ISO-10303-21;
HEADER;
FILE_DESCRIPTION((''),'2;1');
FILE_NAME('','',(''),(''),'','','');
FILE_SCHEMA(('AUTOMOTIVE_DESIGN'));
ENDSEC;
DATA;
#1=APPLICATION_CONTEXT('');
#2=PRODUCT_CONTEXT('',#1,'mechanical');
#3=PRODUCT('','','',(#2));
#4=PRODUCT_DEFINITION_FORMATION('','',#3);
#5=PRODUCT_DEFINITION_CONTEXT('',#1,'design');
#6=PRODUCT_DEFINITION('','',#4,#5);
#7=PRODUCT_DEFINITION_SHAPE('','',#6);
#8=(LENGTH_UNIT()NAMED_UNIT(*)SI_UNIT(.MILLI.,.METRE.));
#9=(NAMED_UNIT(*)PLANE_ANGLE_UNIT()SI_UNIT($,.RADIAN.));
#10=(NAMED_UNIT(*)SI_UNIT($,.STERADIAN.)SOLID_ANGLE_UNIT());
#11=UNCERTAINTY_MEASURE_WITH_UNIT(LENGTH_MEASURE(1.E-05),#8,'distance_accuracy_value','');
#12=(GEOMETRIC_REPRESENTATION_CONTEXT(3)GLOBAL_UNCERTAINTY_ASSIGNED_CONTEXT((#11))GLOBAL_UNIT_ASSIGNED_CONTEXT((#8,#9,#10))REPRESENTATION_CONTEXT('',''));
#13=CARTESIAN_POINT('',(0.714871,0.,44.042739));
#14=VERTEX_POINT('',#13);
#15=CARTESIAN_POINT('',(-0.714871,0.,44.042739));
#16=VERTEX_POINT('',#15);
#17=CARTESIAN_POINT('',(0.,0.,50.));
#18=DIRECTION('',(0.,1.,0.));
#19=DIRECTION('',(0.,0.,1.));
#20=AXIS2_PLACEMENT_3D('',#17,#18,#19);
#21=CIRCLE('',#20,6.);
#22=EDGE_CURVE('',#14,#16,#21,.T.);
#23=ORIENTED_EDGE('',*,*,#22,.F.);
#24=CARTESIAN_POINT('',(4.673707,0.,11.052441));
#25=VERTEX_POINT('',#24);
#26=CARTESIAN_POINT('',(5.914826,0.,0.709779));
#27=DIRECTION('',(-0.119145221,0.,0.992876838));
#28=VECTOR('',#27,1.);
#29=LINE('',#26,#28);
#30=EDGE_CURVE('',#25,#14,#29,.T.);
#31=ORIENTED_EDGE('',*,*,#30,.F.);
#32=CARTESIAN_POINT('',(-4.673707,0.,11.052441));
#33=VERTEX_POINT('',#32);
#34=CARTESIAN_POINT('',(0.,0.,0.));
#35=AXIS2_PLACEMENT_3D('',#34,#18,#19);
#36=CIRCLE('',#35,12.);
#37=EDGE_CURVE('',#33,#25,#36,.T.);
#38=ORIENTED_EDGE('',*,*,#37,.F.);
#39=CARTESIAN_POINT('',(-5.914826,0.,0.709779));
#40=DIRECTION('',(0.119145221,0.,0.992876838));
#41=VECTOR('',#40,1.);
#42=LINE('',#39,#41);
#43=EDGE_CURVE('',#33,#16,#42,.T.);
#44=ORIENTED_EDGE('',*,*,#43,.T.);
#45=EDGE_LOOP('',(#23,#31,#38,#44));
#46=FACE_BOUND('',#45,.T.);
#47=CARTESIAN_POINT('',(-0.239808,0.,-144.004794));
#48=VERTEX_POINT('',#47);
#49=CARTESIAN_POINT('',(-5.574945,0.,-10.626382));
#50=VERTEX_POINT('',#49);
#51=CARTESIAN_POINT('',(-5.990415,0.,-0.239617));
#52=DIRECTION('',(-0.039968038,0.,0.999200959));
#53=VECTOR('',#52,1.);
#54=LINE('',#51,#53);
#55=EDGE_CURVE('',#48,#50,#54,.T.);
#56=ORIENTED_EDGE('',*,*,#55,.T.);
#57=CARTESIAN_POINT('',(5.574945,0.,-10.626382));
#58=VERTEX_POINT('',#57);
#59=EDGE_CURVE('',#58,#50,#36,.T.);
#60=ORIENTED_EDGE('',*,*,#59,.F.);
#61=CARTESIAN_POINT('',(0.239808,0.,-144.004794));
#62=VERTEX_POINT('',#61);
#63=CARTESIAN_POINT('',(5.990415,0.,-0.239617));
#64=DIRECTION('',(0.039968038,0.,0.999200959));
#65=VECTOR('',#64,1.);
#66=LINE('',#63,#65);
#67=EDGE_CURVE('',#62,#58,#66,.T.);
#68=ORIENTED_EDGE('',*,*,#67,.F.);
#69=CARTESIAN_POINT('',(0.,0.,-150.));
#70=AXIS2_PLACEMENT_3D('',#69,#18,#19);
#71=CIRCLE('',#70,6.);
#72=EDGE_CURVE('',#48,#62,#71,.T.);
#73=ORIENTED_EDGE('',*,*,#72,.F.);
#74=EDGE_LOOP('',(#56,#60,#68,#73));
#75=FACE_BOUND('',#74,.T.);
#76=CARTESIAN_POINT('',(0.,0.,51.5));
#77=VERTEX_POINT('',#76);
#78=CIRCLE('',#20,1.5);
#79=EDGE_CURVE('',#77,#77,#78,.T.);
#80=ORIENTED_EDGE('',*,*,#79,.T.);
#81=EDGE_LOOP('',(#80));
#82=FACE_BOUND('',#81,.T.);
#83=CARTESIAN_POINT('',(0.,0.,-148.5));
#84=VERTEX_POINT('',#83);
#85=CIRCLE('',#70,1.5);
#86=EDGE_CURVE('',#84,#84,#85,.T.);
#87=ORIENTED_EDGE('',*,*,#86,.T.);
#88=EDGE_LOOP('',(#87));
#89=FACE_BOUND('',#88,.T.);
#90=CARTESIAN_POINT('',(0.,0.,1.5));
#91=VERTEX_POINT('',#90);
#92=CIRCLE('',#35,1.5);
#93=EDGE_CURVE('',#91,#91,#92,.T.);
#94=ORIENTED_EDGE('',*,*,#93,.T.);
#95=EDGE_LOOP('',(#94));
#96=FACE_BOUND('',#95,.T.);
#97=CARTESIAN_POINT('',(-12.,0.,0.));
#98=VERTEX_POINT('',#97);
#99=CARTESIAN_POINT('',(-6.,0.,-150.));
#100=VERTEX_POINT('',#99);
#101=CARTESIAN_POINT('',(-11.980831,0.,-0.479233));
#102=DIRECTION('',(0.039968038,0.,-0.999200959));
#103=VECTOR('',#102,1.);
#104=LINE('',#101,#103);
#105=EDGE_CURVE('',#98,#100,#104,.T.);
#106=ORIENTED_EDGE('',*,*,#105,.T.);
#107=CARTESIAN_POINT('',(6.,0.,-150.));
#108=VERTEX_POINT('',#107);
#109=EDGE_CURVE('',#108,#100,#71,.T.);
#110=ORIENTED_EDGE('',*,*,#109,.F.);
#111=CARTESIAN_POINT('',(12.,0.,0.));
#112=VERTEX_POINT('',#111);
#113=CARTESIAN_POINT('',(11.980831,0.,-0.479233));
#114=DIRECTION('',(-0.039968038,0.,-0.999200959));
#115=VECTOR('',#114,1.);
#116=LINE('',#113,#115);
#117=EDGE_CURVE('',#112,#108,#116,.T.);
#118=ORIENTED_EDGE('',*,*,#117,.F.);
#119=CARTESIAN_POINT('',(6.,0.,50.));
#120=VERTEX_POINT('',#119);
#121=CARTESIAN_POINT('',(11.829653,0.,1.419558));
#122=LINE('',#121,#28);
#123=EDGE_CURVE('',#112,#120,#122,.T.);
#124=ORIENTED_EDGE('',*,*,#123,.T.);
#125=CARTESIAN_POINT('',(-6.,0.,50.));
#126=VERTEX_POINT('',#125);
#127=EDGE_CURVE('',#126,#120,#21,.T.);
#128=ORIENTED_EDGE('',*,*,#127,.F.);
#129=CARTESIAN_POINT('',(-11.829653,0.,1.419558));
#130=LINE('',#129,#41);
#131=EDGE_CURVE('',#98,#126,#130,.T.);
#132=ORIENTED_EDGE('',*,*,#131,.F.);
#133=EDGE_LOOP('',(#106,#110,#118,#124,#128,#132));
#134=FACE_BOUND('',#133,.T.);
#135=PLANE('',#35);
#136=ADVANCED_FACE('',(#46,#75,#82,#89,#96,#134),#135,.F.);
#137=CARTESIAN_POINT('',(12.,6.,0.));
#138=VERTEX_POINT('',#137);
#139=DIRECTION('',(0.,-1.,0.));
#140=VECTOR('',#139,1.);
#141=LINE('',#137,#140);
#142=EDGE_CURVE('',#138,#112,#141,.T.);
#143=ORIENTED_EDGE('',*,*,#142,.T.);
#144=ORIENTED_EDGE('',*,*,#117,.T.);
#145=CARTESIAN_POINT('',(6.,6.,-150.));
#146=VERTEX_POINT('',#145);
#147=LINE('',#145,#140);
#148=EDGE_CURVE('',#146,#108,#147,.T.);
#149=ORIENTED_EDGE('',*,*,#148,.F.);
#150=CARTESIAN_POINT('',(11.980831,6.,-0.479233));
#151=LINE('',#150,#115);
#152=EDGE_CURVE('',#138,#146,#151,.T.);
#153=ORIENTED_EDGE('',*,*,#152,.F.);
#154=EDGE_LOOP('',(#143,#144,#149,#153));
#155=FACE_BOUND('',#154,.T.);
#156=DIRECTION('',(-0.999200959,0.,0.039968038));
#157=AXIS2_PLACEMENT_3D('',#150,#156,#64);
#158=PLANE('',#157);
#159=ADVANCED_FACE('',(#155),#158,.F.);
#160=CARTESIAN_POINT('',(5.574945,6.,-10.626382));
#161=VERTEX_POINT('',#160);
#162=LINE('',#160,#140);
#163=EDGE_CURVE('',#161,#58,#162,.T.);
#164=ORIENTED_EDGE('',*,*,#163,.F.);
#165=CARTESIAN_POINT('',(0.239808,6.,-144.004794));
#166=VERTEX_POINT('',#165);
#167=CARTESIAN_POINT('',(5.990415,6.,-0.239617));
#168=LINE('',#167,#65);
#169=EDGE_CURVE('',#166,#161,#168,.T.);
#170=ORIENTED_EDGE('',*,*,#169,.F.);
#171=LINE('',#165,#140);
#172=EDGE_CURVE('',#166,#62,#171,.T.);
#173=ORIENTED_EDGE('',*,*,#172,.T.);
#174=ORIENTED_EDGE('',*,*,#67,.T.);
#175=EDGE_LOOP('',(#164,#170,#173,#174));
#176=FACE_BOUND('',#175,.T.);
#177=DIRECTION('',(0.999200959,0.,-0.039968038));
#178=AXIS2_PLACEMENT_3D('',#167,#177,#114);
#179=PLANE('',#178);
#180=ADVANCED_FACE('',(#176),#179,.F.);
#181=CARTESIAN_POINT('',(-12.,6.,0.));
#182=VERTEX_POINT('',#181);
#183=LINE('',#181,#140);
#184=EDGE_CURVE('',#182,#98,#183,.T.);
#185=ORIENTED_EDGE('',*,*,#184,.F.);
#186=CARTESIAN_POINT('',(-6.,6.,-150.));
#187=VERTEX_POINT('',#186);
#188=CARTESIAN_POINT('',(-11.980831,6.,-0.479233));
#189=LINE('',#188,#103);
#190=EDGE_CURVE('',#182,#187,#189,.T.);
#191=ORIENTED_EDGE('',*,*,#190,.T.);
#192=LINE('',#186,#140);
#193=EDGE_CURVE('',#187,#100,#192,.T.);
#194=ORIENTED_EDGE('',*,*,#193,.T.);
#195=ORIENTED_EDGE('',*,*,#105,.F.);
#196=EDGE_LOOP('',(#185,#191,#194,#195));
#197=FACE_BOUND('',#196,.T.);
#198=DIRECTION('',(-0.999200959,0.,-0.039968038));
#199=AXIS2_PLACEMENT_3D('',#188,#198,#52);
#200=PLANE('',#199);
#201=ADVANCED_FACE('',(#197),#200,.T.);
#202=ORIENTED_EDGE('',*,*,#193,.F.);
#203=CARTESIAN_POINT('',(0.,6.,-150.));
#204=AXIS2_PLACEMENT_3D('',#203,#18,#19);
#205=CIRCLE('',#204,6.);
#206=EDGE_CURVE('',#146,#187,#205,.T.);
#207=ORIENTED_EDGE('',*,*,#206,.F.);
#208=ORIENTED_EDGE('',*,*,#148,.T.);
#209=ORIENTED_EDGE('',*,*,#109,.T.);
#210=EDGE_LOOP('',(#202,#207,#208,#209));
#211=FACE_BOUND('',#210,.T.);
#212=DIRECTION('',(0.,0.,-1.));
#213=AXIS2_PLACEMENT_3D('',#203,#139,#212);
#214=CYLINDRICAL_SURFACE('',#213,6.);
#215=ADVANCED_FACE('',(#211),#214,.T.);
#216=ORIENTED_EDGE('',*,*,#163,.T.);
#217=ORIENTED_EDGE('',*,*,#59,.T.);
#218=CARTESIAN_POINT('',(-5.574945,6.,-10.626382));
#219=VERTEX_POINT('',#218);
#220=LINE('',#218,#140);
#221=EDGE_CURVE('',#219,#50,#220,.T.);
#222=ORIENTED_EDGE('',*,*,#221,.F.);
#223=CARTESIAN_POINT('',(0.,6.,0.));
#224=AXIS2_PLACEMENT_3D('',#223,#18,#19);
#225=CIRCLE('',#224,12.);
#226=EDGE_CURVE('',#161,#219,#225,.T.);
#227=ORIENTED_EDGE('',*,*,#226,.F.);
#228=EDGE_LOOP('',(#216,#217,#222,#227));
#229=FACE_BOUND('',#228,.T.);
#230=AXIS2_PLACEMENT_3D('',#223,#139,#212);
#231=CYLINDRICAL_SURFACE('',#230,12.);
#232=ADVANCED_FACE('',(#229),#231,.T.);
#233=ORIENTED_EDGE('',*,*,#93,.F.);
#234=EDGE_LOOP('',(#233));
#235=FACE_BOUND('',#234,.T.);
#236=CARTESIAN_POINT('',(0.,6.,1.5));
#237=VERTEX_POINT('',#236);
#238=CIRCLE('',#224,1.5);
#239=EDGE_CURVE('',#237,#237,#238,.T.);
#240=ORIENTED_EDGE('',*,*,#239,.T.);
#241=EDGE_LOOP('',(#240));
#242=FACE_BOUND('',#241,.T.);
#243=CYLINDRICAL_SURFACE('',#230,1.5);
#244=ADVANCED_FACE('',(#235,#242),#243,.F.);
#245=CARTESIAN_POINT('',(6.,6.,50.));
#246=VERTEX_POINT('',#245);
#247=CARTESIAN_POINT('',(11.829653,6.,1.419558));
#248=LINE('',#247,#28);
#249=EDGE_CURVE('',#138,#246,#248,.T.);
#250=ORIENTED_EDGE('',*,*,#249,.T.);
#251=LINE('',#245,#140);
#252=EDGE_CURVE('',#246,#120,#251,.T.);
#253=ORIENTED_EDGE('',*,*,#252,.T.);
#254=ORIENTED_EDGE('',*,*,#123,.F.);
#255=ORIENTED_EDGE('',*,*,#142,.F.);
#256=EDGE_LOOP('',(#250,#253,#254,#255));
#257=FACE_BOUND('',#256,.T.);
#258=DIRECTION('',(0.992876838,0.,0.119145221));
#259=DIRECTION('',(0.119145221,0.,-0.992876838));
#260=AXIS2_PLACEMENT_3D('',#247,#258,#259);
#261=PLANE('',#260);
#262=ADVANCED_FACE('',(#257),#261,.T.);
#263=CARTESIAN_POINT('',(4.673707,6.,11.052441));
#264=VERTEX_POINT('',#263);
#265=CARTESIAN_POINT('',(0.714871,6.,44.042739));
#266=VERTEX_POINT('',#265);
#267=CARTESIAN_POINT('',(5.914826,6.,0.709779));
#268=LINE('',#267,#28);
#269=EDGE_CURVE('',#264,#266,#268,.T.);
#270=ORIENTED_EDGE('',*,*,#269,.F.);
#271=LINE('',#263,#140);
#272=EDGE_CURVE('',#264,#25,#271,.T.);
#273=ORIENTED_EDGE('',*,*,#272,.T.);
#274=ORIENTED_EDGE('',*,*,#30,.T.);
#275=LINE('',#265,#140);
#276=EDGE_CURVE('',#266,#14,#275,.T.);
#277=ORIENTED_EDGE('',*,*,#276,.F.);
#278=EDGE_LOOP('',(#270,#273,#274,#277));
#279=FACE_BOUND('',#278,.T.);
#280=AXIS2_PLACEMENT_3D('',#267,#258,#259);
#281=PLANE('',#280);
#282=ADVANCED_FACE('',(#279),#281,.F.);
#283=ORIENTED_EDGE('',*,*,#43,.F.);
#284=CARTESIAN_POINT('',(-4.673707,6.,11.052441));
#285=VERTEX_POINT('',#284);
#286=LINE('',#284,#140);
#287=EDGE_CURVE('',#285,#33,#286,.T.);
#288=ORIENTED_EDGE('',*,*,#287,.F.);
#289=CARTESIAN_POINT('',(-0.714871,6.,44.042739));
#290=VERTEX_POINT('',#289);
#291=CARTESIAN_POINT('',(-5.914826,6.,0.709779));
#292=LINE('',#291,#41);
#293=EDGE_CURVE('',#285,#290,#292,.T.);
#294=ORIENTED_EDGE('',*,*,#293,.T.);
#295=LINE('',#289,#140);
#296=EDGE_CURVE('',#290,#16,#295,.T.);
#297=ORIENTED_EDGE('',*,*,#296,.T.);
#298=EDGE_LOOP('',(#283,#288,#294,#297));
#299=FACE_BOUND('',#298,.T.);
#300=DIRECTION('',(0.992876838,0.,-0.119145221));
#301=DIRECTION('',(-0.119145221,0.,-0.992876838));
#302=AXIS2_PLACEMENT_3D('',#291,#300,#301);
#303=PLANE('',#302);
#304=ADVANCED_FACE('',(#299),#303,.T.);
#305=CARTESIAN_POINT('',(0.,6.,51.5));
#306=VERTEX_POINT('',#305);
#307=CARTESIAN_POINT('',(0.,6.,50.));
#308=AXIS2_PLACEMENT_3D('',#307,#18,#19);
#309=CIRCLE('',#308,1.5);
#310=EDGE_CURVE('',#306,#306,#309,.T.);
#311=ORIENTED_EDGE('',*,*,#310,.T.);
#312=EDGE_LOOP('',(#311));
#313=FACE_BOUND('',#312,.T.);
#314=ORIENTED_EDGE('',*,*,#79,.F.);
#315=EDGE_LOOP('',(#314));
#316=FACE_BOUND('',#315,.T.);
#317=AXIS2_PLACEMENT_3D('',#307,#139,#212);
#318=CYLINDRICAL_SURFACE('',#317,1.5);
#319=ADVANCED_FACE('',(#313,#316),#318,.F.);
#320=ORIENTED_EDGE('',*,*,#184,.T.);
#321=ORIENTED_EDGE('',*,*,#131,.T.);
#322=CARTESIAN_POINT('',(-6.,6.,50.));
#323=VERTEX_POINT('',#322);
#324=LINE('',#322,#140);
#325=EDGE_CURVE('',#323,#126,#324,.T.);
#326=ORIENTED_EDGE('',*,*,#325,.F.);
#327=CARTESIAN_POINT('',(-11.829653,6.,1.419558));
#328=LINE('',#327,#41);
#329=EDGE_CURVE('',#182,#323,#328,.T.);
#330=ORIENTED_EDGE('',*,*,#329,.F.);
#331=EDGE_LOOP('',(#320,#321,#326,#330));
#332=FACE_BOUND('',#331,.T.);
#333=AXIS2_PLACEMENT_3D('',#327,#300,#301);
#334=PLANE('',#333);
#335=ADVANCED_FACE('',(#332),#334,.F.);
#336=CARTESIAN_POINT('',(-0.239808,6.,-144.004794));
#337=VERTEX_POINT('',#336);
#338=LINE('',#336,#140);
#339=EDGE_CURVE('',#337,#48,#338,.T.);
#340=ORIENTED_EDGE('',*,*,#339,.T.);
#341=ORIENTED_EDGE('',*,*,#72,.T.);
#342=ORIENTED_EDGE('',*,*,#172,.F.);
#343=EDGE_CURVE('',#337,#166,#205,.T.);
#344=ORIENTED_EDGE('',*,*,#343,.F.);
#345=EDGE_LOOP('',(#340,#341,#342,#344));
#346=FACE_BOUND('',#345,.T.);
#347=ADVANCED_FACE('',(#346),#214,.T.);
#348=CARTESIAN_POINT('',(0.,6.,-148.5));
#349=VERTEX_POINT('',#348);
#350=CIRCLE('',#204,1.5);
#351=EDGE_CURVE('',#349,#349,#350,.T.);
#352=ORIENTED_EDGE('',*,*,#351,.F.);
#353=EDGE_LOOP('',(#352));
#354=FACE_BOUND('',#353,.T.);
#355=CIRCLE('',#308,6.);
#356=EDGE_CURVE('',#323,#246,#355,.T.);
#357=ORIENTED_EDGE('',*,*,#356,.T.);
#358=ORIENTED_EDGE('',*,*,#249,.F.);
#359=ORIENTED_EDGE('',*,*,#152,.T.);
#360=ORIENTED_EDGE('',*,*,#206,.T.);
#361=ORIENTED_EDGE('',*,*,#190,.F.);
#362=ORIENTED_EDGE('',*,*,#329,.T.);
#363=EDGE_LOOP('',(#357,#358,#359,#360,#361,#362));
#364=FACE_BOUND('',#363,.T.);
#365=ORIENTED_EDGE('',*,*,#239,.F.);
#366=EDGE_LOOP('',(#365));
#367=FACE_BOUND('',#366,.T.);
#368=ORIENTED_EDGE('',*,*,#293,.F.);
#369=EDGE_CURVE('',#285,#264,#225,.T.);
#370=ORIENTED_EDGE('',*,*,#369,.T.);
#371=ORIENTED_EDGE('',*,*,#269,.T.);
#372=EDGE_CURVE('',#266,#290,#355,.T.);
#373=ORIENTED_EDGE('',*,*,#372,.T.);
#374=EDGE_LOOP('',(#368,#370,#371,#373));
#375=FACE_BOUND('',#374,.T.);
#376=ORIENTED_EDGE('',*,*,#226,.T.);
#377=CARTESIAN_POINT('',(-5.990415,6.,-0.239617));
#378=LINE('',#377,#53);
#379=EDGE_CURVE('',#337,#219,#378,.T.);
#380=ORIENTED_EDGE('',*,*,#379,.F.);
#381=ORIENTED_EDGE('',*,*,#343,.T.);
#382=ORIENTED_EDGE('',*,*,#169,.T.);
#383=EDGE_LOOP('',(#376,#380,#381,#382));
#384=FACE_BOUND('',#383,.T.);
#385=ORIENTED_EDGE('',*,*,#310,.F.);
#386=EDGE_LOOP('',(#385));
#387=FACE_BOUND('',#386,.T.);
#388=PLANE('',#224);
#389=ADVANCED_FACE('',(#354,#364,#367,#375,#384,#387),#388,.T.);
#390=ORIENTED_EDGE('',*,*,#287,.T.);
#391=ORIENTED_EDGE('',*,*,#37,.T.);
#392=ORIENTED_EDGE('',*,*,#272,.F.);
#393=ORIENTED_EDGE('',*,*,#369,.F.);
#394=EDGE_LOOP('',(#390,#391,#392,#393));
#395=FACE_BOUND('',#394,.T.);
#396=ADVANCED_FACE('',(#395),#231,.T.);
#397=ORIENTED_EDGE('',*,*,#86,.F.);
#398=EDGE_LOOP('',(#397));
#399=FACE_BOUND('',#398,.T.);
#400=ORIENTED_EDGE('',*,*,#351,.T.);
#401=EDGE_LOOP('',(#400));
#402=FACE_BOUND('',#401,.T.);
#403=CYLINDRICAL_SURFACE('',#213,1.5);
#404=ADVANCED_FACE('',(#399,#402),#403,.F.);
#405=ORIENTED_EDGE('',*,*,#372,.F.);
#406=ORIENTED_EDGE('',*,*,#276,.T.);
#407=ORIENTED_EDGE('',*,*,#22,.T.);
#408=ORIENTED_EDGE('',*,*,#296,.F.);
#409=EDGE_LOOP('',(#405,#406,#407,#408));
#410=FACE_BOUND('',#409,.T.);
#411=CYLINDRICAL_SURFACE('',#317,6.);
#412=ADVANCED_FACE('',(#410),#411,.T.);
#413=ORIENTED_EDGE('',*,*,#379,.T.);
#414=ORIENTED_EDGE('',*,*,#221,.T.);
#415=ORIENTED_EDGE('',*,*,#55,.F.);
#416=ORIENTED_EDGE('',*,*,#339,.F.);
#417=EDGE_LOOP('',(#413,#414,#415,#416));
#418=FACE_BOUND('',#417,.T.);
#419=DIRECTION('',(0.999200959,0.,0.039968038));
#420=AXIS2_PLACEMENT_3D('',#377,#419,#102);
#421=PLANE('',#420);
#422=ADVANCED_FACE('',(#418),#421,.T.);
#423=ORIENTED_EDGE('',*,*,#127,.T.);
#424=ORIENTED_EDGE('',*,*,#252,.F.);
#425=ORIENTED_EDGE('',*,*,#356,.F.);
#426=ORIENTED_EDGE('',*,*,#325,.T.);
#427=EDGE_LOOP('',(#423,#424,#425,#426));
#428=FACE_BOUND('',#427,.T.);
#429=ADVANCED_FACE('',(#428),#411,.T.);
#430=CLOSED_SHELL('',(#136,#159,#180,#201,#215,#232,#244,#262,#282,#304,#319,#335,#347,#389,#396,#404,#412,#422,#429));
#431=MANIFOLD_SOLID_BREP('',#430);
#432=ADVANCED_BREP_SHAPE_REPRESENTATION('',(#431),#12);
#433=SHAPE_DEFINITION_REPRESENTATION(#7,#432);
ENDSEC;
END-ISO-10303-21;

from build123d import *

# Parameters (mm, degrees)
SKETCH1_R           = 1.5
BOSS_EXTRUDE4_DEPTH = 6


with BuildPart() as part:
    # Sketch1 → Boss-Extrude4 (new body)
    with BuildSketch(Plane(origin=(0, 0, 0), x_dir=(1, 0, 0), z_dir=(0, 1, 0))):
        with BuildLine():
            Line((12, 0), (6, 150))
            ThreePointArc((6, 150), (0, 156), (-6, 150))
            Line((-6, 150), (-12, 0))
            Line((-12, 0), (-6, -50))
            ThreePointArc((-6, -50), (0, -56), (6, -50))
            Line((6, -50), (12, 0))
        make_face()
        with Locations(Location((0, 0, 0), (0, 0, 270))):
            Circle(SKETCH1_R, mode=Mode.SUBTRACT)
        with BuildLine():
            Line((-0.714871324, -44.042738969), (-4.673707022, -11.05244148))
            ThreePointArc((-4.673707022, -11.05244148), (0, -12), (4.673707022, -11.05244148))
            Line((4.673707022, -11.05244148), (0.714871324, -44.042738969))
            ThreePointArc((0.714871324, -44.042738969), (0, -44), (-0.714871324, -44.042738969))
        make_face(mode=Mode.SUBTRACT)
        with BuildLine():
            Line((0.23980823, 144.004794248), (5.574944726, 10.626381854))
            ThreePointArc((5.574944726, 10.626381854), (0, 12), (-5.574944726, 10.626381854))
            Line((-5.574944726, 10.626381854), (-0.23980823, 144.004794248))
            ThreePointArc((-0.23980823, 144.004794248), (0, 144), (0.23980823, 144.004794248))
        make_face(mode=Mode.SUBTRACT)
        with Locations(Location((0, 150, 0), (0, 0, 270))):
            Circle(SKETCH1_R, mode=Mode.SUBTRACT)
        with Locations(Location((0, -50, 0), (0, 0, 270))):
            Circle(SKETCH1_R, mode=Mode.SUBTRACT)
    extrude(amount=BOSS_EXTRUDE4_DEPTH)


solid = part.part
